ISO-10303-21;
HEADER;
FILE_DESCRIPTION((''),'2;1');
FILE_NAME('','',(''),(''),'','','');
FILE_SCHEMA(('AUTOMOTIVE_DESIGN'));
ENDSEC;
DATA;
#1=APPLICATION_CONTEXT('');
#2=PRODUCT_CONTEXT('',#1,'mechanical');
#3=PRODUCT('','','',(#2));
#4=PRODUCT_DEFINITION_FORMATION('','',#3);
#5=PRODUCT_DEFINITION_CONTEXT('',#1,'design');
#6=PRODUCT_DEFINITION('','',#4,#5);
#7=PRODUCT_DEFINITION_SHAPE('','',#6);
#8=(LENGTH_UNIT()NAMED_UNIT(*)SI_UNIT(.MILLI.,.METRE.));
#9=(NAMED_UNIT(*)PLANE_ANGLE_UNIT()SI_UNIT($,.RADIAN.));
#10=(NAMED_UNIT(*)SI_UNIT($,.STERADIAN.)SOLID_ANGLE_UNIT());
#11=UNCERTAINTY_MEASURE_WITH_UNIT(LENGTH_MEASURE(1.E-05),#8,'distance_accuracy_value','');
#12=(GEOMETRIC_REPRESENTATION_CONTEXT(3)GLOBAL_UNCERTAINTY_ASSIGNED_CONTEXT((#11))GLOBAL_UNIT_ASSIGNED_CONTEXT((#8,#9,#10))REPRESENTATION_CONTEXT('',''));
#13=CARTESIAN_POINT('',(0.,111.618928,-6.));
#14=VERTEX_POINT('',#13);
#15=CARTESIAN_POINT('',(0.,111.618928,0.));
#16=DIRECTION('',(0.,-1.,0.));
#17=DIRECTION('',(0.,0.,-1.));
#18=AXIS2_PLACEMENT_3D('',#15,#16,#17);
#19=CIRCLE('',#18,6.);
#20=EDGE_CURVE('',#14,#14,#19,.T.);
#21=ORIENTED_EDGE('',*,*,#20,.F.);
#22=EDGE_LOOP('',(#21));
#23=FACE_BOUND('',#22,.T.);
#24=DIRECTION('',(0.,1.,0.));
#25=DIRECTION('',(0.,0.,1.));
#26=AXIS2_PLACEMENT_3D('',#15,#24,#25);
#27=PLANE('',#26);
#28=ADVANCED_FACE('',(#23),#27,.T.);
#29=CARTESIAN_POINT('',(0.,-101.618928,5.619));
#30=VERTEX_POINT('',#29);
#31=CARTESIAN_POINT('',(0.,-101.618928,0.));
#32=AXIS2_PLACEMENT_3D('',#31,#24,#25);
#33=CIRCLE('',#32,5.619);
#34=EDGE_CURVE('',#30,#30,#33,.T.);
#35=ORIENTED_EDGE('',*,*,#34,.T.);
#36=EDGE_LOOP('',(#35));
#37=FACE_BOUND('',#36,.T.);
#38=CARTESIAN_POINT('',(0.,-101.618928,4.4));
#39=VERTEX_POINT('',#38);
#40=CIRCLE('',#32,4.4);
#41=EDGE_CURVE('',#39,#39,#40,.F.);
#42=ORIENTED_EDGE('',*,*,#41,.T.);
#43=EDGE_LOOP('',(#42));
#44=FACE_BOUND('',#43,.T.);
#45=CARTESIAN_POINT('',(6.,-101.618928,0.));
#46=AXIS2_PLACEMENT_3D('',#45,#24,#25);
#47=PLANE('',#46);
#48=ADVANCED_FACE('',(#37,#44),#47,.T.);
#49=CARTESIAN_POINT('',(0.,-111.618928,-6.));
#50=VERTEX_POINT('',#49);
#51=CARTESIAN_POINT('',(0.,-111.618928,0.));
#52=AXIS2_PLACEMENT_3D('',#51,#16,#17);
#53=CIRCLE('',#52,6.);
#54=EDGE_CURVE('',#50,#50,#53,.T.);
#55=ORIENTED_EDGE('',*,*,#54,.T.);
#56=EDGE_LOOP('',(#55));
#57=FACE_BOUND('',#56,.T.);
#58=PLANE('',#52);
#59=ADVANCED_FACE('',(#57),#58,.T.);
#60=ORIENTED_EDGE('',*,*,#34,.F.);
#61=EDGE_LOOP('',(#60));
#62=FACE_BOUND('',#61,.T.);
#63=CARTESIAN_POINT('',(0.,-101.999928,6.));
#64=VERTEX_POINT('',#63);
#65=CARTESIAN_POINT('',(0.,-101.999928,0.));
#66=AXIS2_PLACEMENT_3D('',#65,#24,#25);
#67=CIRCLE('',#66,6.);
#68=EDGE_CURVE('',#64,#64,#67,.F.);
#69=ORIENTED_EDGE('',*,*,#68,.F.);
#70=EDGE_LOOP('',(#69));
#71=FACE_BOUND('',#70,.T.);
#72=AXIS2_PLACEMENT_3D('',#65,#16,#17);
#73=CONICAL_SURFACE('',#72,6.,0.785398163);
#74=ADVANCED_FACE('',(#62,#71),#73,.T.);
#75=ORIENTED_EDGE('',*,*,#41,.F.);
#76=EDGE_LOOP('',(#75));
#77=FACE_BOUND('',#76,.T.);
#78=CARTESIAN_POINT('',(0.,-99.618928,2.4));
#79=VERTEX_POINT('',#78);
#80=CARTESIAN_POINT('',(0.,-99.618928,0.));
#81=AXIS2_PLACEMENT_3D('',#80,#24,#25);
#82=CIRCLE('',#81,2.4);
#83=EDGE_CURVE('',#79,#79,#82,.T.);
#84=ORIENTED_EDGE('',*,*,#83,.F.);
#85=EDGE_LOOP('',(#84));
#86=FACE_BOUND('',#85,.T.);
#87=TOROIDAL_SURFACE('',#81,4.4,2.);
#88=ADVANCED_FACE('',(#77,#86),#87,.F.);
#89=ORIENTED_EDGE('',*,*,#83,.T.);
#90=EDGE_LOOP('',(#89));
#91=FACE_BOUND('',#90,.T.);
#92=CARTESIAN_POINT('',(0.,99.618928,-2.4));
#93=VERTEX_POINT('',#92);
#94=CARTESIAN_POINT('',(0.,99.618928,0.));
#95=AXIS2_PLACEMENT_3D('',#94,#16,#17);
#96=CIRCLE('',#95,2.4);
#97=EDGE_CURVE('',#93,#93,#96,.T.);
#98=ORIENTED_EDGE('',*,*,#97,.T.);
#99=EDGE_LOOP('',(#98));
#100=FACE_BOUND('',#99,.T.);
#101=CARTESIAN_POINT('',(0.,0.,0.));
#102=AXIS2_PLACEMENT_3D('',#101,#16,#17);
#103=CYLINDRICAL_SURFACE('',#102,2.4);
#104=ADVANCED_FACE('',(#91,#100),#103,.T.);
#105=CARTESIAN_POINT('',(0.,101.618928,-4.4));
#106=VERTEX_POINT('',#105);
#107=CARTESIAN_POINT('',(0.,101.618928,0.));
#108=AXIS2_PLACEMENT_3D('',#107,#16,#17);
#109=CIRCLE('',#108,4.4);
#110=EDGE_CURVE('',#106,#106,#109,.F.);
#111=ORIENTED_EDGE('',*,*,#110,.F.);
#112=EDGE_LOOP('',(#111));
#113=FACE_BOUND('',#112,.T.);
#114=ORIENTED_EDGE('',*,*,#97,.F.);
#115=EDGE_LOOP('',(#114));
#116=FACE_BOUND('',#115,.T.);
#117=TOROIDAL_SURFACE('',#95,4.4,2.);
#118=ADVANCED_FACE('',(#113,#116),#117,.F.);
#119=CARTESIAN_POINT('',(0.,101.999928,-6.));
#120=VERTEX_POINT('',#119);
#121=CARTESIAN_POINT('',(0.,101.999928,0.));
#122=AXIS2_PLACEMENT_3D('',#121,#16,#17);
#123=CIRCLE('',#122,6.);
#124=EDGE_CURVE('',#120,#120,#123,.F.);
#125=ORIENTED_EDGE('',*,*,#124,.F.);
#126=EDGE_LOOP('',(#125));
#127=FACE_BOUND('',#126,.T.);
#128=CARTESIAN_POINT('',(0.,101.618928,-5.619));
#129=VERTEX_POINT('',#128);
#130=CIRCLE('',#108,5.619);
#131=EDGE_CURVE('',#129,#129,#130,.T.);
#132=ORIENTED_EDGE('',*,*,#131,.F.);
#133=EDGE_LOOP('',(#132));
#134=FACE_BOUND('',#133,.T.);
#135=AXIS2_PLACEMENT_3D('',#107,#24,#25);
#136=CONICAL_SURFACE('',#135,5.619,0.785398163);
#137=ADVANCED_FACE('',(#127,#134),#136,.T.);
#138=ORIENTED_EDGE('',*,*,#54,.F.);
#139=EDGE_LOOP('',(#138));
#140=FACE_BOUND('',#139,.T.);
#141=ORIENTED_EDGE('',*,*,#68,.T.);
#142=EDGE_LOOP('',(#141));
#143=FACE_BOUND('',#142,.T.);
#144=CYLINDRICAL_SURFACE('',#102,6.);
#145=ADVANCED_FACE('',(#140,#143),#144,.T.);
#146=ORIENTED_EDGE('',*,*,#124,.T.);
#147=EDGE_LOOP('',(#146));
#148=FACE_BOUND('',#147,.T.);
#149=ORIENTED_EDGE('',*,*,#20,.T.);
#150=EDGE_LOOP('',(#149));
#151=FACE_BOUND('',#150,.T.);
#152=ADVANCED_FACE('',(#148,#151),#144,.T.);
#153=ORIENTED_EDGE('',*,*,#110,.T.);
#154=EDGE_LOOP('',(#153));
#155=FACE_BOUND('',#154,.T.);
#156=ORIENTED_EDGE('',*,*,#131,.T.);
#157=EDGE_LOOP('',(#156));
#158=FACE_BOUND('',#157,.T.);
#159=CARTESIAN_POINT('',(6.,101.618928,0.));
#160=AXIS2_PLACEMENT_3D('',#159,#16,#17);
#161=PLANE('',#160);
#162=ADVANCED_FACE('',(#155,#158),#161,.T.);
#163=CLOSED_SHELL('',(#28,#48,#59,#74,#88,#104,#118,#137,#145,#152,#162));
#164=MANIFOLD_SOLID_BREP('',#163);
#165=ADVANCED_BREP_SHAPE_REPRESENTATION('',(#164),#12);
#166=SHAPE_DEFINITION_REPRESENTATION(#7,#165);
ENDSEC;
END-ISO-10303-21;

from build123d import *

# Parameters (mm, degrees)
FILLET1_R     = 2
CHAMFER1_SIZE = 0.381


with BuildPart() as part:
    # Sketch1 → Revolve1 (revolve)
    with BuildSketch(Plane.XY, mode=Mode.PRIVATE) as revolve1_sk:
        Polygon((0, -111.618928003), (0, 111.618928003), (6, 111.618928003), (6, 101.618928003), (2.4, 101.618928003), (2.4, -101.618928003), (6, -101.618928003), (6, -111.618928003), align=None)
    revolve(revolve1_sk.sketch.rotate(Axis((0, 0, 0), (0, 1, 0)), 90), axis=Axis((0, 0, 0), (0, 1, 0)))  # turned: the seam where the file's is

    # Fillet1
    fillet1_edges = [part.edges().sort_by_distance(p)[0] for p in [
        (0, 101.618928003, 2.4),
        (0, -101.618928003, 2.4),
    ]]
    fillet(fillet1_edges, radius=FILLET1_R)

    # Chamfer1
    chamfer1_edges = [part.edges().sort_by_distance(p)[0] for p in [
        (0, -101.618928003, 6),
        (0, 101.618928003, 6),
    ]]
    chamfer(chamfer1_edges, length=CHAMFER1_SIZE)


solid = part.part
